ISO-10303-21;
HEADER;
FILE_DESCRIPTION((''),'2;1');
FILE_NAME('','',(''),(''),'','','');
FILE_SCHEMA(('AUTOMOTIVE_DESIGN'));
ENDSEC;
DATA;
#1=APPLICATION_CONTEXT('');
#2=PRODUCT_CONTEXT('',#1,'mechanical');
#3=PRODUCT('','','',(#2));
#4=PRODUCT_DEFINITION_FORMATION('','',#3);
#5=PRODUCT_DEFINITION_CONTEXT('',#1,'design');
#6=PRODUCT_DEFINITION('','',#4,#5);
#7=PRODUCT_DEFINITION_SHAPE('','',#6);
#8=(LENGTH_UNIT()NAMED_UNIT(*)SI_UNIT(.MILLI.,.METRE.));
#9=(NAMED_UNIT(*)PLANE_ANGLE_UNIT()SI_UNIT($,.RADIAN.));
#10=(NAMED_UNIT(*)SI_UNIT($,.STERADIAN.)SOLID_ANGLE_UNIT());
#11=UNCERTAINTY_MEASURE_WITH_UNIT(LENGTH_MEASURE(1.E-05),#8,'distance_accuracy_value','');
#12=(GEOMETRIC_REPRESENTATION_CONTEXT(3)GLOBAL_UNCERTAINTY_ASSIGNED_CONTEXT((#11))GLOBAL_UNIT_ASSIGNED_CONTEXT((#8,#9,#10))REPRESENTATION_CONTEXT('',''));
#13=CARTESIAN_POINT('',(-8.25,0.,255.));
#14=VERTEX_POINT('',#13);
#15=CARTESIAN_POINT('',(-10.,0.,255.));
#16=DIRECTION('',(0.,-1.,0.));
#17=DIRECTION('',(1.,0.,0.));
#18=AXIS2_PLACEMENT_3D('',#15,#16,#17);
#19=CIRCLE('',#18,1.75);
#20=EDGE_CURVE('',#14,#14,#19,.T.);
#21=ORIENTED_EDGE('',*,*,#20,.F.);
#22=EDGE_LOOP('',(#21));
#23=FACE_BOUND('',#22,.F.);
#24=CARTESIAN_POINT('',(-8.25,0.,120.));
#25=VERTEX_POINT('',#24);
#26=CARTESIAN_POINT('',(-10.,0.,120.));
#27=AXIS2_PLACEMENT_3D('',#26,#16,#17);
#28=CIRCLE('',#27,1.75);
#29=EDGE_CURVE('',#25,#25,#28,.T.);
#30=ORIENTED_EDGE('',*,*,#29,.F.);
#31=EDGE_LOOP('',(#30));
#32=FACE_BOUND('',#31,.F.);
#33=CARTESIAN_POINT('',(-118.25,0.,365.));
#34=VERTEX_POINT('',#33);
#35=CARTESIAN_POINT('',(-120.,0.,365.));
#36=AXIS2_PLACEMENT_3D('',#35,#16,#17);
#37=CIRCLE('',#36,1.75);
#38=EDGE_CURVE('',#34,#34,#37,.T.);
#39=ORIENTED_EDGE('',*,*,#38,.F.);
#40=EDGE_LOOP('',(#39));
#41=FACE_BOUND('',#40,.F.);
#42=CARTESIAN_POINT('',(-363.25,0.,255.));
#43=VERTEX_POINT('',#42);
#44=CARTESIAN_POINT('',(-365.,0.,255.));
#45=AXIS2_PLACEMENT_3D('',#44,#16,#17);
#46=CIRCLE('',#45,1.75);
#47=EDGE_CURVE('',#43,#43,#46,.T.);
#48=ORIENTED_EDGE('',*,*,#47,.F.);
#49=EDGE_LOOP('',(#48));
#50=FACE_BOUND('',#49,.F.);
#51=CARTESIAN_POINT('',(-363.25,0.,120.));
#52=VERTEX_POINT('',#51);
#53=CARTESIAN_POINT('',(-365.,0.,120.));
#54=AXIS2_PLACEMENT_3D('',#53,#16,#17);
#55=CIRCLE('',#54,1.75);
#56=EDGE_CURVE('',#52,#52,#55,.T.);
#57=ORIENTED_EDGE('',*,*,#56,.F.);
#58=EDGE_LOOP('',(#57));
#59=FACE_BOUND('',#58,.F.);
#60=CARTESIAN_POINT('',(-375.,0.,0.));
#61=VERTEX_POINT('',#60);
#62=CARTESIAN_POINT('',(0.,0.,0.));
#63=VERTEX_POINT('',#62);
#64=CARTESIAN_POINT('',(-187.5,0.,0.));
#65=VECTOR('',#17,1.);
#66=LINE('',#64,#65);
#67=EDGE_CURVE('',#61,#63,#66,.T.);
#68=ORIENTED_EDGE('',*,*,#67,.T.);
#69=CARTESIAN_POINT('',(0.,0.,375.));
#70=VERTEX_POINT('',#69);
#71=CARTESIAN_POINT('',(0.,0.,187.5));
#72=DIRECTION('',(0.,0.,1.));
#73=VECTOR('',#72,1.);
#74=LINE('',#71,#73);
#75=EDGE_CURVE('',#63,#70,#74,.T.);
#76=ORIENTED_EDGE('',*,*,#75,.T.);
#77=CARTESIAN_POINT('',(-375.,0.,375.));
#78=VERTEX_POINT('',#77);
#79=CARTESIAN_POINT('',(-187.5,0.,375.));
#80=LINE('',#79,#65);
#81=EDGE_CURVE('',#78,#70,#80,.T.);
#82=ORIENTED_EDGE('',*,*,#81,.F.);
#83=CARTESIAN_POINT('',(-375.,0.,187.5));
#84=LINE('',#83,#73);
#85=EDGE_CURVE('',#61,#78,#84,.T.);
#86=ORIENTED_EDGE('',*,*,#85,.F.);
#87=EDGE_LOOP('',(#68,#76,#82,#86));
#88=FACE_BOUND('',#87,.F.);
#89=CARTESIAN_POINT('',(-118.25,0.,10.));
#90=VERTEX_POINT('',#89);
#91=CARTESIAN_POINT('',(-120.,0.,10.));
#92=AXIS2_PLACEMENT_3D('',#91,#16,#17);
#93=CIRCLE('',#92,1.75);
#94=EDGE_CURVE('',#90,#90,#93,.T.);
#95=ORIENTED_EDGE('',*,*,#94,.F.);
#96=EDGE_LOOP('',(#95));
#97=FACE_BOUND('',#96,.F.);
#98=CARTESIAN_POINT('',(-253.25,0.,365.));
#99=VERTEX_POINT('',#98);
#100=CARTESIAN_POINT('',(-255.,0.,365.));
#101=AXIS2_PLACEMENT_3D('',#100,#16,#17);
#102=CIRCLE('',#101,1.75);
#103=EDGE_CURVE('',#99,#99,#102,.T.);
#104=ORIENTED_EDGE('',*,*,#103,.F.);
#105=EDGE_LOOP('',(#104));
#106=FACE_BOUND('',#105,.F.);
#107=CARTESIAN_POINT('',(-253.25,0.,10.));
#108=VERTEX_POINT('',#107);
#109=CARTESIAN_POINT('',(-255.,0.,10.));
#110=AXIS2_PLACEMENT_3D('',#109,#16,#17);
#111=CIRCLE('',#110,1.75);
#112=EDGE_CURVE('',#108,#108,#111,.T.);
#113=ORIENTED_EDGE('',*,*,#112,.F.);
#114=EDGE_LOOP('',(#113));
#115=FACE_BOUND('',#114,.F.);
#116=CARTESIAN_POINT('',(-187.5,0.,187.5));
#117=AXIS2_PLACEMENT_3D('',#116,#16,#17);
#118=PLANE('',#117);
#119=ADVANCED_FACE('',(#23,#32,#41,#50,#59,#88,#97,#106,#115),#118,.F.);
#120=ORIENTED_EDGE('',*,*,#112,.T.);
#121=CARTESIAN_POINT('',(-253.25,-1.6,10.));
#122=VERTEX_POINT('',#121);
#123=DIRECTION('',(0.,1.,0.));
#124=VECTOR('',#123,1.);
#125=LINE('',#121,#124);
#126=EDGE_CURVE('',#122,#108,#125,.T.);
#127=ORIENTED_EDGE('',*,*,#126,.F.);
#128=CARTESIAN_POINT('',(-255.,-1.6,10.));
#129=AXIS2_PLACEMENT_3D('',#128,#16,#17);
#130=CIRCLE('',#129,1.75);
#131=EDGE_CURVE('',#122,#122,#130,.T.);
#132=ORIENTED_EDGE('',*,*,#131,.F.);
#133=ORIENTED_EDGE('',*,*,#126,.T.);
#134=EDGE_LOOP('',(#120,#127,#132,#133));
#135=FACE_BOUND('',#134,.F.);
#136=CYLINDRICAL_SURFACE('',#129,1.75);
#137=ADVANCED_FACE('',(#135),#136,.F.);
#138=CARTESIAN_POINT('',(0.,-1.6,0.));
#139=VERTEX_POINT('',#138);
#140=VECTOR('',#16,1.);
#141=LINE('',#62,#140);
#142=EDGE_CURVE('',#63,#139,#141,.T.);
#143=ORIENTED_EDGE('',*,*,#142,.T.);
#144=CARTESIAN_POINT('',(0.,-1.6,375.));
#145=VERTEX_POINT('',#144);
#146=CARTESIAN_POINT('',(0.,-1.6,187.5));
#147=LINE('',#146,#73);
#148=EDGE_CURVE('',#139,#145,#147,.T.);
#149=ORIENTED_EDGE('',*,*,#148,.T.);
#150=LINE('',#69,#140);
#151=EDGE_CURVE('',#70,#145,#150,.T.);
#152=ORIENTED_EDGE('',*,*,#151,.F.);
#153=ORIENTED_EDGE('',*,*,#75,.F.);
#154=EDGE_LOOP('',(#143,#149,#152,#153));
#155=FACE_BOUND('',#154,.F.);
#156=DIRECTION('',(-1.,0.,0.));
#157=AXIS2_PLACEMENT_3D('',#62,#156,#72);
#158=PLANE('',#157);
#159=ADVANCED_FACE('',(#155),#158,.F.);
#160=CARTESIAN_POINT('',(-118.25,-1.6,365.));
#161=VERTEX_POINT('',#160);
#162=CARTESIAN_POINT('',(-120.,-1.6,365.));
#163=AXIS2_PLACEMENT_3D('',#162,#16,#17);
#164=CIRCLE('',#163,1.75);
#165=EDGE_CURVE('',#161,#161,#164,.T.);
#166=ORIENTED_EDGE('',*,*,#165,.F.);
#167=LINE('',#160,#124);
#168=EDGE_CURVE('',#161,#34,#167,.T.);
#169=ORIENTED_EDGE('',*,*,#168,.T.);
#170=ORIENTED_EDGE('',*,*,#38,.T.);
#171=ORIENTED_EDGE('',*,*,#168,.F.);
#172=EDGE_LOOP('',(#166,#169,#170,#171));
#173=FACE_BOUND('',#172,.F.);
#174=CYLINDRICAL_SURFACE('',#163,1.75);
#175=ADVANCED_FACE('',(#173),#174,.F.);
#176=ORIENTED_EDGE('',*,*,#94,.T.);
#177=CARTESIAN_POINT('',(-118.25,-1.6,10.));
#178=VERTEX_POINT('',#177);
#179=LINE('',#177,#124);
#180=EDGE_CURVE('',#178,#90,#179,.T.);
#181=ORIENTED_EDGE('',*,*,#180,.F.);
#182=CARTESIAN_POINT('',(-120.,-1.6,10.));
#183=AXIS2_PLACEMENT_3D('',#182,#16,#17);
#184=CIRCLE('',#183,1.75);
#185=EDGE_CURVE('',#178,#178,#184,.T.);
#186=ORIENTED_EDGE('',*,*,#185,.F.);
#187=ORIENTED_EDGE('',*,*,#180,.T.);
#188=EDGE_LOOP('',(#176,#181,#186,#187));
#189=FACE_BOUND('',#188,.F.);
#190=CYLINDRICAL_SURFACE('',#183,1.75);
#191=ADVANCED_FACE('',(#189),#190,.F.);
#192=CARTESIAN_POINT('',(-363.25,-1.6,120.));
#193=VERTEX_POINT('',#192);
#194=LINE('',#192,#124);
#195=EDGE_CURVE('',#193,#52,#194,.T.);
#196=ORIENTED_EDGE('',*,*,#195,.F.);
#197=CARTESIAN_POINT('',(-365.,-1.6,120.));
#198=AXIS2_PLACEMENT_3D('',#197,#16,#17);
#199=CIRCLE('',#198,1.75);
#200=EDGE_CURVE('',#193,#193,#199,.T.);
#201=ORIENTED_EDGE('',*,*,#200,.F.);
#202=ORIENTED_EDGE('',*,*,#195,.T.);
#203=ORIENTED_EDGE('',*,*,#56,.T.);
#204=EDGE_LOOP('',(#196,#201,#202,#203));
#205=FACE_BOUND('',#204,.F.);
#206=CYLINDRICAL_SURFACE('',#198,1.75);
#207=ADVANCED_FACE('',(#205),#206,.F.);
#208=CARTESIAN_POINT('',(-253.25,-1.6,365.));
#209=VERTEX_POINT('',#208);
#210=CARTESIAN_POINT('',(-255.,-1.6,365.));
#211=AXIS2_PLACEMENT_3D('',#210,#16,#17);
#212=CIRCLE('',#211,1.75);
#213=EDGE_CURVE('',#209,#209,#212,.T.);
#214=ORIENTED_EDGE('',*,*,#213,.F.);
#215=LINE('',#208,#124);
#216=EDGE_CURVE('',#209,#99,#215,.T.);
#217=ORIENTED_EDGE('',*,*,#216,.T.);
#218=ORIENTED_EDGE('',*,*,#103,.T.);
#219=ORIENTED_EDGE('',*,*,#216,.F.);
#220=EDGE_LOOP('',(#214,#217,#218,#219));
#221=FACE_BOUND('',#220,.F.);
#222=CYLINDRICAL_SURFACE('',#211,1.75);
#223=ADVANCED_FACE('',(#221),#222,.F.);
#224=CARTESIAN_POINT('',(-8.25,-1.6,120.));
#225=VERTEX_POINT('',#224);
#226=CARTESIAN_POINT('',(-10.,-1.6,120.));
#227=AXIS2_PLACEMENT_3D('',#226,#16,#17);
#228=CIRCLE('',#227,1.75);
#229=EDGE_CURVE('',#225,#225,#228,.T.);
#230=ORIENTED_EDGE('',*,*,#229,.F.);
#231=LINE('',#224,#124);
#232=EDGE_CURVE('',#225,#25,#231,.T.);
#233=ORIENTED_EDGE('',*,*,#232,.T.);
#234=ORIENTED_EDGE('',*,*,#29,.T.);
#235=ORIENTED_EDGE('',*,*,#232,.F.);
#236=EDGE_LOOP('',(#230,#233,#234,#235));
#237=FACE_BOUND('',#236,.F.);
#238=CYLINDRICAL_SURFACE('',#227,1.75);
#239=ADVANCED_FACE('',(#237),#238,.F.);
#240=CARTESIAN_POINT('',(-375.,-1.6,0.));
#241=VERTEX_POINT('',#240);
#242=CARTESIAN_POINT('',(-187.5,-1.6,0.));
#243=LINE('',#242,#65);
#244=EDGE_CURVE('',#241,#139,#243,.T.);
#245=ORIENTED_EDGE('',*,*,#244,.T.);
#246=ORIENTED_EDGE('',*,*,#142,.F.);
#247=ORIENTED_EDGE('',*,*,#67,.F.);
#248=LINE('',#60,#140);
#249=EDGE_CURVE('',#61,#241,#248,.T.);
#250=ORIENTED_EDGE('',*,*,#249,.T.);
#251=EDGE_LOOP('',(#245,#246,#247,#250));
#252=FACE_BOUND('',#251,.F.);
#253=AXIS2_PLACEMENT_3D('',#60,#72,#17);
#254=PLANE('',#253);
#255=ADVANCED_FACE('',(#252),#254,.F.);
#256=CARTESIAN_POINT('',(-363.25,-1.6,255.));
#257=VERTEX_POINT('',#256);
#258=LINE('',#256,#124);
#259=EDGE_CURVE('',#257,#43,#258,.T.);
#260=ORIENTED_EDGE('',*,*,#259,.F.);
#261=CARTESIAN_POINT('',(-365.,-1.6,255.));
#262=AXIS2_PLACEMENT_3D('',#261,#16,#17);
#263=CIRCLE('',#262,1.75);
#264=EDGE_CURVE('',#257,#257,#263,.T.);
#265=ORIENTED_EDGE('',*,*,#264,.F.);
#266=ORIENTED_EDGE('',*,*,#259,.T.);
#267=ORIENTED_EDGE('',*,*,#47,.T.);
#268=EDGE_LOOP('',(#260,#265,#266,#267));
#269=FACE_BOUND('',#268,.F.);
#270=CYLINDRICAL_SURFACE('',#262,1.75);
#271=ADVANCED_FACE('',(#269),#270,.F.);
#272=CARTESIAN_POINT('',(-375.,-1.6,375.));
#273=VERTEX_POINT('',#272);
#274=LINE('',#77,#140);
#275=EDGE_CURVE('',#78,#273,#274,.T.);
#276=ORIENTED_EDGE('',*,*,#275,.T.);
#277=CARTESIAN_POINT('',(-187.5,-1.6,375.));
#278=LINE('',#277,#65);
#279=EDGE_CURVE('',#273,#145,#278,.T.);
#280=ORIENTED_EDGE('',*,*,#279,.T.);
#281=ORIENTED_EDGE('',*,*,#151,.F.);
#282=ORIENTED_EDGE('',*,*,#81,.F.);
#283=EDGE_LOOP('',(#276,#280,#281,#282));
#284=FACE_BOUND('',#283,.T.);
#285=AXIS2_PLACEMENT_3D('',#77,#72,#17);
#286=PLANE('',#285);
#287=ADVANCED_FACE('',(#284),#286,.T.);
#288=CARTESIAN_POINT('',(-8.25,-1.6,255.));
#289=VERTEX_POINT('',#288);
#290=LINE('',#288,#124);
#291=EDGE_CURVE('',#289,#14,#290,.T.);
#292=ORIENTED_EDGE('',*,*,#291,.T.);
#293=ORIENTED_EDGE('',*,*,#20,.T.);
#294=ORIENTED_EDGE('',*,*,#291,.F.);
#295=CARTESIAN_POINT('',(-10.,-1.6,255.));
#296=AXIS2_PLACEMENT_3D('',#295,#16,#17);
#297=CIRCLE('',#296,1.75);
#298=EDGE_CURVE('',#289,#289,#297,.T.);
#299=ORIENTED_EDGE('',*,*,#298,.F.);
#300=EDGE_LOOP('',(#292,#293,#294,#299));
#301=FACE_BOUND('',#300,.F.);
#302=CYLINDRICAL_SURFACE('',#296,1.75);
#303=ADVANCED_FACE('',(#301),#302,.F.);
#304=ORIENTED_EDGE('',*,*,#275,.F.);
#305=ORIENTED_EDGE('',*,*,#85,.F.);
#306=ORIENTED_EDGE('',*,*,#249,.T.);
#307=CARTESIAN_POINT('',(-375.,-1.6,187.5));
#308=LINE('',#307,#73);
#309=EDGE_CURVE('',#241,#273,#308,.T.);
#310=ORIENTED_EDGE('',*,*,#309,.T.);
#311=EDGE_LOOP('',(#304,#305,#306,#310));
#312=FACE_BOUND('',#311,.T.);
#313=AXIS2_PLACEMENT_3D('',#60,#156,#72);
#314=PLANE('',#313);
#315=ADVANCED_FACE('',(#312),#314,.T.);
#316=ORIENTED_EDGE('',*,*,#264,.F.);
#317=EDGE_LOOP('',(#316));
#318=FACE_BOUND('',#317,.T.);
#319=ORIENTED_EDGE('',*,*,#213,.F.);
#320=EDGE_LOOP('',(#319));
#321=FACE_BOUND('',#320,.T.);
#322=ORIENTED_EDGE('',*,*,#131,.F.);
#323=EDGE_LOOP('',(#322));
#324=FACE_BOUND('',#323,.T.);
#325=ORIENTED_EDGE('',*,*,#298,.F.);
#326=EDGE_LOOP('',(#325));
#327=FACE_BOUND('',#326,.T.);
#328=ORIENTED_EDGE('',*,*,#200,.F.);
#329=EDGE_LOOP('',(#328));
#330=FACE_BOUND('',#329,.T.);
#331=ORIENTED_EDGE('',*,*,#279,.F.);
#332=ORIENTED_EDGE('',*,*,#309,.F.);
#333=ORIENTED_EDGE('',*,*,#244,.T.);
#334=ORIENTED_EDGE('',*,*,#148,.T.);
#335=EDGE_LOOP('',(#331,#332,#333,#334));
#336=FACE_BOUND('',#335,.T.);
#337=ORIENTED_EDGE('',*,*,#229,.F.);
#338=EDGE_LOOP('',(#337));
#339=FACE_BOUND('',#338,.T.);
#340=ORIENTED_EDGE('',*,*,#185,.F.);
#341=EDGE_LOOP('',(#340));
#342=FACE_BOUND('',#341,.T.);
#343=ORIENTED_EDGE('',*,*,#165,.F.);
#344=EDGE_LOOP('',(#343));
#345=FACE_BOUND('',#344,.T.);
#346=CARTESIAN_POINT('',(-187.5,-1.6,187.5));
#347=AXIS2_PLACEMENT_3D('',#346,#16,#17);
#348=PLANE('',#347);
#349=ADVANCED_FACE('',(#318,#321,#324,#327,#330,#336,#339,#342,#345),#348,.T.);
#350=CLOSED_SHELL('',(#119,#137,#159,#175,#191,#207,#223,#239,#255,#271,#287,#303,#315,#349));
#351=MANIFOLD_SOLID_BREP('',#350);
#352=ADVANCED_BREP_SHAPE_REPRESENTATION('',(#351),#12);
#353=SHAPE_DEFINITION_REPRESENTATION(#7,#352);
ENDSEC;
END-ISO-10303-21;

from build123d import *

# Parameters (mm, degrees)
F0_W     = 375
F0_H     = 375
F1_DEPTH = 1.6
F2_R     = 1.75
F3_DEPTH = 2


with BuildPart() as f1:
    # F0 (on Front) → F1 (new body)
    with BuildSketch(Plane.XZ):
        with Locations((-187.5, 187.5)):
            Rectangle(F0_W, F0_H)
    extrude(amount=F1_DEPTH)

    # F2 (on face) → F3 (cut)
    with BuildSketch(Plane.XZ.offset(1.6)):
        with Locations((-255, 365)):
            Circle(F2_R)
        with Locations((-120, 365)):
            Circle(F2_R)
        with Locations((-10, 120)):
            Circle(F2_R)
        with Locations((-365, 120)):
            Circle(F2_R)
        with Locations((-365, 255)):
            Circle(F2_R)
        with Locations((-10, 255)):
            Circle(F2_R)
        with Locations((-120, 10)):
            Circle(F2_R)
        with Locations((-255, 10)):
            Circle(F2_R)
    extrude(amount=-F3_DEPTH, mode=Mode.SUBTRACT)


solid = f1.part
